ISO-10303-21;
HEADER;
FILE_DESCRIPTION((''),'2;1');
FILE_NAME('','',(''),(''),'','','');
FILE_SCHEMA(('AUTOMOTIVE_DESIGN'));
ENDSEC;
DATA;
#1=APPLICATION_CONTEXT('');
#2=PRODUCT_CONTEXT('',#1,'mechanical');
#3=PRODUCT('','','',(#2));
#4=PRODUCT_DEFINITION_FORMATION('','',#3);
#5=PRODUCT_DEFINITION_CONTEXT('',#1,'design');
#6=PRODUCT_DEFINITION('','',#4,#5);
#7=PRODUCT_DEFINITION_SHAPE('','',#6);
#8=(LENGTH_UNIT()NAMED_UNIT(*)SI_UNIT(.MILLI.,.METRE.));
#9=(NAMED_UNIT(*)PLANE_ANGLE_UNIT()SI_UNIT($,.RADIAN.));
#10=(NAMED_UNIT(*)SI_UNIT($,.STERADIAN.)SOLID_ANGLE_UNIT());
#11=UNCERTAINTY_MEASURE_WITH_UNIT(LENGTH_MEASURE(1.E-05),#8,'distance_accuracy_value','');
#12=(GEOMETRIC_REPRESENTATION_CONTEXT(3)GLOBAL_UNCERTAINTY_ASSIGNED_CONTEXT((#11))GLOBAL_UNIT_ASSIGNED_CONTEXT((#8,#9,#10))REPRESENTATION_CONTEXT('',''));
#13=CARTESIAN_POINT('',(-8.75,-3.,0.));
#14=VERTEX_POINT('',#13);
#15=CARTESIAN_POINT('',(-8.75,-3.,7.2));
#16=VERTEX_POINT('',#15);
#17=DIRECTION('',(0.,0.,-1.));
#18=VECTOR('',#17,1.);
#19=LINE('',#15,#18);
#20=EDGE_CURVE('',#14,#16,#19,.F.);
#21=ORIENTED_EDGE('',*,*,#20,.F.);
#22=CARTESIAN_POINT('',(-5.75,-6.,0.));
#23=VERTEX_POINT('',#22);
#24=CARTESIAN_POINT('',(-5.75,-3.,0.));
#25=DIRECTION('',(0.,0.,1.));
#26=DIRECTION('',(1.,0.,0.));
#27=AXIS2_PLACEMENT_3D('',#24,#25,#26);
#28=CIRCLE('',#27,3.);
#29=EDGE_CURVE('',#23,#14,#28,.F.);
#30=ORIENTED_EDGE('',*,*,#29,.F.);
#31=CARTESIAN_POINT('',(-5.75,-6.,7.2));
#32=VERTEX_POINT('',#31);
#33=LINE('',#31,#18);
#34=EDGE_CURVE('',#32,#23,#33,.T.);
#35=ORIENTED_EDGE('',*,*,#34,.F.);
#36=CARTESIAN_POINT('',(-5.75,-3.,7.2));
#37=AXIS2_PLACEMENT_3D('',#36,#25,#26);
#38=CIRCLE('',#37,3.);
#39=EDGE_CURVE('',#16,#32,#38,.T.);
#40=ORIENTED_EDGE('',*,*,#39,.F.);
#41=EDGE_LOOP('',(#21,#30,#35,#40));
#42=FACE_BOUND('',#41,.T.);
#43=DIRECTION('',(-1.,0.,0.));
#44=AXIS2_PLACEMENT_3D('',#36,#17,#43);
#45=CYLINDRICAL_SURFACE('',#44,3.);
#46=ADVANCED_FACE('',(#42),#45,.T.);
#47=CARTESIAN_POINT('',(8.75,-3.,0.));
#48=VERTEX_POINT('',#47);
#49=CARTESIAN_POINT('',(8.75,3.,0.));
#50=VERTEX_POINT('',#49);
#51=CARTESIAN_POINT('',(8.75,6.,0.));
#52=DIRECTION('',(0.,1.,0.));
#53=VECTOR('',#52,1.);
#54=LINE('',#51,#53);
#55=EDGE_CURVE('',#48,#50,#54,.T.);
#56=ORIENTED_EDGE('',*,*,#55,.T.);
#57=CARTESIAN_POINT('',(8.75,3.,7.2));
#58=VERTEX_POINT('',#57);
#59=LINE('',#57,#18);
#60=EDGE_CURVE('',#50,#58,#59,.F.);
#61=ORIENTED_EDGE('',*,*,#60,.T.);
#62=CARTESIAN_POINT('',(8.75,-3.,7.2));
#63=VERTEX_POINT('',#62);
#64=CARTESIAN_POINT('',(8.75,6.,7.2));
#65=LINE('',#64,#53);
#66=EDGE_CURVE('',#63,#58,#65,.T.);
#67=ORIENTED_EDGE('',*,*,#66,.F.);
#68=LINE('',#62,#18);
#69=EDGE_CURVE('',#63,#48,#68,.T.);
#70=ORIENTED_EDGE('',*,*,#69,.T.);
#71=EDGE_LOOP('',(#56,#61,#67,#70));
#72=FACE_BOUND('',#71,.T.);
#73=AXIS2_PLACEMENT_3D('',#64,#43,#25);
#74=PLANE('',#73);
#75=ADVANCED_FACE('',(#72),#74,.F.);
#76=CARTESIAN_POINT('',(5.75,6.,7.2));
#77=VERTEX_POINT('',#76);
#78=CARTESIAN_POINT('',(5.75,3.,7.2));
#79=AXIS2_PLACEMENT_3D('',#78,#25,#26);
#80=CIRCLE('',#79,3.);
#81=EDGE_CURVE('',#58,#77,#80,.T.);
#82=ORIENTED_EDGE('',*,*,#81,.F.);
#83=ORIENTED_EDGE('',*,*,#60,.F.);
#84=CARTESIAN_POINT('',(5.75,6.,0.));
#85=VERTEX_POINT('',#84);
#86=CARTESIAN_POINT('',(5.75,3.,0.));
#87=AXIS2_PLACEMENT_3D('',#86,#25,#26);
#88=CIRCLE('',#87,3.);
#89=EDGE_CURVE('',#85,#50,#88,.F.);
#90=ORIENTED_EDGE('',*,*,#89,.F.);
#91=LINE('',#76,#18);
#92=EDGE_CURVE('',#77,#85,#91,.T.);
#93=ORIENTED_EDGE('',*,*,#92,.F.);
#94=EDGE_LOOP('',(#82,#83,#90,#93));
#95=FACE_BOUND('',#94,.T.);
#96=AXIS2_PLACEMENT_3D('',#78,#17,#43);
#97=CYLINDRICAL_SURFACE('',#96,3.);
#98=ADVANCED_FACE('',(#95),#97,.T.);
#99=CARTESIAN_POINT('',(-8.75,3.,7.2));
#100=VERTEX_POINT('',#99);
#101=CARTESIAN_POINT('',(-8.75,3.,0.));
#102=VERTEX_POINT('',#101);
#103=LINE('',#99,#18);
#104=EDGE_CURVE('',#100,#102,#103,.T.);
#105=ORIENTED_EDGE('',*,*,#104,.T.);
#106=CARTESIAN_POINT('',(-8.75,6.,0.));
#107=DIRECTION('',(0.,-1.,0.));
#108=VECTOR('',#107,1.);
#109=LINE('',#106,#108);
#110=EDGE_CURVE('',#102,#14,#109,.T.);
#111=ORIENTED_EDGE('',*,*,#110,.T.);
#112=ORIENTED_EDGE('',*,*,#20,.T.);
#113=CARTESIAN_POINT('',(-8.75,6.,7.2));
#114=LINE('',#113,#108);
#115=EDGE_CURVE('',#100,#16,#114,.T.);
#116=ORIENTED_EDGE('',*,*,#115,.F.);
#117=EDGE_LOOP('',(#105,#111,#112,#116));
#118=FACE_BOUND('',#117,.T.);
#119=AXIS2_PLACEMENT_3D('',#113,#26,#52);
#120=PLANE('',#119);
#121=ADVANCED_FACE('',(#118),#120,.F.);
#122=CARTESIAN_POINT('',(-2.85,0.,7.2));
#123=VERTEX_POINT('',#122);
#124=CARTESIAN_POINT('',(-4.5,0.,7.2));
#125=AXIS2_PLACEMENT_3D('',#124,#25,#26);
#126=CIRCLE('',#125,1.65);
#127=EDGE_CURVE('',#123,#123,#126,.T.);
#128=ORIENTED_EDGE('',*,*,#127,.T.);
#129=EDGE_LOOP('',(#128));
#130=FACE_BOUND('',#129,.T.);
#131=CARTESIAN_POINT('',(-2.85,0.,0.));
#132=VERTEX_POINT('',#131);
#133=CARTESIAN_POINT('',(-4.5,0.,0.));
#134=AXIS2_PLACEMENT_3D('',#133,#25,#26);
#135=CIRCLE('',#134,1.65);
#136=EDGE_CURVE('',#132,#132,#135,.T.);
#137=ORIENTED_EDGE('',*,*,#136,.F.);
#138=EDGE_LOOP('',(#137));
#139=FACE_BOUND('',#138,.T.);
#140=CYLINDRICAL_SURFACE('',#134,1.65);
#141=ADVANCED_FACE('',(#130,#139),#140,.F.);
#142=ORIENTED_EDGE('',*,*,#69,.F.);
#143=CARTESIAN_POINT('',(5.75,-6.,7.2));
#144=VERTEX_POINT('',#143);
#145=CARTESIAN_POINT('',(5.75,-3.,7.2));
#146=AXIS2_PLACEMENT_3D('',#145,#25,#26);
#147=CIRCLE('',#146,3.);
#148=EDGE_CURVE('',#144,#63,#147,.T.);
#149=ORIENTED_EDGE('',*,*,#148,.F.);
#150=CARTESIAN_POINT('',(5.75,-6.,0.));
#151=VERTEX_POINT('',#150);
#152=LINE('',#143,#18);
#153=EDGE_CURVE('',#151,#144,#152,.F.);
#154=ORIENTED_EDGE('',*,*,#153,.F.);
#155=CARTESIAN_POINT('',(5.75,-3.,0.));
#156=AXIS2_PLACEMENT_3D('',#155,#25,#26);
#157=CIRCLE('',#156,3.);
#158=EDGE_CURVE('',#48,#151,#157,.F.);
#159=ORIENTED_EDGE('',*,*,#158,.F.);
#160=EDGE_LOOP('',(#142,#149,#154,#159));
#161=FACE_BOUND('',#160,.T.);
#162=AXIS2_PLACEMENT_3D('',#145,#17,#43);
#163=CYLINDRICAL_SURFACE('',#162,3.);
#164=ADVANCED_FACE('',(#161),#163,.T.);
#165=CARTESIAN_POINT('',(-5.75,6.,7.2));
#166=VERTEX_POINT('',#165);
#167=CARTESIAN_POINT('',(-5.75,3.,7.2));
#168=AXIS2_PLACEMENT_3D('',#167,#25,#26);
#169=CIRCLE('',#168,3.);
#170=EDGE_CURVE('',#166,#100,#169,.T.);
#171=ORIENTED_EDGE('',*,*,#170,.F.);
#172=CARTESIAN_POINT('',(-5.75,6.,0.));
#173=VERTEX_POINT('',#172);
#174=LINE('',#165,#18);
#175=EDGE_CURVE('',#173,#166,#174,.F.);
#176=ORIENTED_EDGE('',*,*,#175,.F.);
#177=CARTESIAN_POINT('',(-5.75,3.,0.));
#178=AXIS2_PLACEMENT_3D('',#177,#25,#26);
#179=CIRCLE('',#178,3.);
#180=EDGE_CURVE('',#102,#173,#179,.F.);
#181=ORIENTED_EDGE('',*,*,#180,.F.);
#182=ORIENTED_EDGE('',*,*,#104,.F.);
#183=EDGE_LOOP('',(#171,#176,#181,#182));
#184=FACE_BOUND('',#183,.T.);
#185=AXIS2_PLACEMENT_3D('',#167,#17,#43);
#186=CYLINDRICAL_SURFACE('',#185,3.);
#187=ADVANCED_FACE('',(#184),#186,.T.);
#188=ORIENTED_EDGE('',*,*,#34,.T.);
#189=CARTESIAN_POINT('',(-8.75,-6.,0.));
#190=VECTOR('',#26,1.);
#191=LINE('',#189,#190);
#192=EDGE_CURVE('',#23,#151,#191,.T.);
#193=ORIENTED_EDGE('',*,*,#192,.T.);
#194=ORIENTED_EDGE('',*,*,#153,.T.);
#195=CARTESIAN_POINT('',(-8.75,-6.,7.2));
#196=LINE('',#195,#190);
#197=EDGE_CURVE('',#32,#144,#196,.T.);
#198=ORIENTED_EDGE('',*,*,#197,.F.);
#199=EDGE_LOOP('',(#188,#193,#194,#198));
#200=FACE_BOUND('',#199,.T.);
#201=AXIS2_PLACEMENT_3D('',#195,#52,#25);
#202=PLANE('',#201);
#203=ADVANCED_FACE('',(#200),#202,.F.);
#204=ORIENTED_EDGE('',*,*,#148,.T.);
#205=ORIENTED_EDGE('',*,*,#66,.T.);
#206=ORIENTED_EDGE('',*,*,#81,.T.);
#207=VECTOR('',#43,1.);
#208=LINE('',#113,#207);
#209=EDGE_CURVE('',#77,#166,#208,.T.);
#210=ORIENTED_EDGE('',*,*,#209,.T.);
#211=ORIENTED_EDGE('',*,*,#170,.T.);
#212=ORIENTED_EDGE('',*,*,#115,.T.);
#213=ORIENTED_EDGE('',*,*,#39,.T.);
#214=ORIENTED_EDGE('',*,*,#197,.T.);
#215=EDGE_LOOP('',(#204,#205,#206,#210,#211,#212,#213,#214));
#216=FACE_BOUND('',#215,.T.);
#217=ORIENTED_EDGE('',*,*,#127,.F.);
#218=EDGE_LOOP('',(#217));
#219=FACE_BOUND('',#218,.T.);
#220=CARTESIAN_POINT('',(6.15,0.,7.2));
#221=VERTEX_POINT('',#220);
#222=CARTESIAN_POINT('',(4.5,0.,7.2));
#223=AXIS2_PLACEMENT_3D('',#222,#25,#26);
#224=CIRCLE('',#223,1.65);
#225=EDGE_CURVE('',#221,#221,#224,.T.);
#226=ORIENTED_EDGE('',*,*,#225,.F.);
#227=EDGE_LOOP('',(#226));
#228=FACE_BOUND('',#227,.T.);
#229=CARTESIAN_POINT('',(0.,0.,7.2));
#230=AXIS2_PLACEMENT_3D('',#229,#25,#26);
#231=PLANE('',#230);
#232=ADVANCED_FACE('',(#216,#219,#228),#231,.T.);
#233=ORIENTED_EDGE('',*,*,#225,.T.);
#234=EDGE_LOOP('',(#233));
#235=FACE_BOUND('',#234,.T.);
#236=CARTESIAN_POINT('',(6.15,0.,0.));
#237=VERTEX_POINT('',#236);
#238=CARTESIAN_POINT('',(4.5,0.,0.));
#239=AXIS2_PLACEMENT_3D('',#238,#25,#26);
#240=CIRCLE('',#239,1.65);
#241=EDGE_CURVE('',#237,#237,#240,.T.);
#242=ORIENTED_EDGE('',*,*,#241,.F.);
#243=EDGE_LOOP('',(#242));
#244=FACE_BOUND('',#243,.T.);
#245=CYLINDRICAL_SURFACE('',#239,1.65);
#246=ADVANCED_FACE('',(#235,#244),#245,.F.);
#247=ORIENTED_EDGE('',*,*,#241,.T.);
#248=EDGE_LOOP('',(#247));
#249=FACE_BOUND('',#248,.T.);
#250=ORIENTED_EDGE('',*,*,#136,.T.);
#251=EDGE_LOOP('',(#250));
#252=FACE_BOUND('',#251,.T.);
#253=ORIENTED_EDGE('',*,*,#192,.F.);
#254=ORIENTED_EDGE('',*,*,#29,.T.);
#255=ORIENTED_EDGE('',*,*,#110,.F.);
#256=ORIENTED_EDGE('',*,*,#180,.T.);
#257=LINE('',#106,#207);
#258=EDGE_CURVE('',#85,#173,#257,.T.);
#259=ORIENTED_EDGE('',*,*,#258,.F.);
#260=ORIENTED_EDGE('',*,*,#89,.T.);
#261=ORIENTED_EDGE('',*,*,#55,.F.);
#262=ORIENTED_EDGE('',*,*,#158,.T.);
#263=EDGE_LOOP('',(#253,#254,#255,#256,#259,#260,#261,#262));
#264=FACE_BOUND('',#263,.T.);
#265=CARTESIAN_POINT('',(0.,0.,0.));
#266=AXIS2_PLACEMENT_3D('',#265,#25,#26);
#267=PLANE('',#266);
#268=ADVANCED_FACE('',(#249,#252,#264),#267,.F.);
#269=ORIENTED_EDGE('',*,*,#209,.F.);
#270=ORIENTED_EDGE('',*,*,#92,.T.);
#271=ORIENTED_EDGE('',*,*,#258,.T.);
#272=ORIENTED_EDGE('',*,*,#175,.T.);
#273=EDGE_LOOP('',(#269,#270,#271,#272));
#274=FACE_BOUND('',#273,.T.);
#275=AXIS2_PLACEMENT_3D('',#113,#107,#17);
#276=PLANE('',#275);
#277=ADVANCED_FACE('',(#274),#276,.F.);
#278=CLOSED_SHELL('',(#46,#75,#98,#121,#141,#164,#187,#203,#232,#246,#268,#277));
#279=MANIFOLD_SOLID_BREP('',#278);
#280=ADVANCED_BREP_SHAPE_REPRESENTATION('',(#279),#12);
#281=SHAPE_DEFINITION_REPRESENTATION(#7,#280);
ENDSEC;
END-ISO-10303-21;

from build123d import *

# Parameters (mm, degrees)
SKETCH1_W           = 17.5
SKETCH1_H           = 12
BOSS_EXTRUDE1_DEPTH = 7.2
FILLET1_R           = 3
SKETCH2_R           = 1.65
CUT_EXTRUDE1_DEPTH  = 8.2


with BuildPart() as part:
    # Sketch1 → Boss-Extrude1 (new body)
    with BuildSketch(Plane.XY):
        Rectangle(SKETCH1_W, SKETCH1_H)
    extrude(amount=BOSS_EXTRUDE1_DEPTH)

    # Fillet1
    fillet1_edges = [part.edges().sort_by_distance(p)[0] for p in [
        (-8.75, 6, 3.6),
        (8.75, 6, 3.6),
        (8.75, -6, 3.6),
        (-8.75, -6, 3.6),
    ]]
    fillet(fillet1_edges, radius=FILLET1_R)

    # Sketch2 → Cut-Extrude1 (cut, through all)
    with BuildSketch(Plane.XY.offset(7.2)):
        with Locations((-4.5, 0)):
            Circle(SKETCH2_R)
        with Locations((4.5, 0)):
            Circle(SKETCH2_R)
    extrude(amount=-CUT_EXTRUDE1_DEPTH, mode=Mode.SUBTRACT)


solid = part.part
